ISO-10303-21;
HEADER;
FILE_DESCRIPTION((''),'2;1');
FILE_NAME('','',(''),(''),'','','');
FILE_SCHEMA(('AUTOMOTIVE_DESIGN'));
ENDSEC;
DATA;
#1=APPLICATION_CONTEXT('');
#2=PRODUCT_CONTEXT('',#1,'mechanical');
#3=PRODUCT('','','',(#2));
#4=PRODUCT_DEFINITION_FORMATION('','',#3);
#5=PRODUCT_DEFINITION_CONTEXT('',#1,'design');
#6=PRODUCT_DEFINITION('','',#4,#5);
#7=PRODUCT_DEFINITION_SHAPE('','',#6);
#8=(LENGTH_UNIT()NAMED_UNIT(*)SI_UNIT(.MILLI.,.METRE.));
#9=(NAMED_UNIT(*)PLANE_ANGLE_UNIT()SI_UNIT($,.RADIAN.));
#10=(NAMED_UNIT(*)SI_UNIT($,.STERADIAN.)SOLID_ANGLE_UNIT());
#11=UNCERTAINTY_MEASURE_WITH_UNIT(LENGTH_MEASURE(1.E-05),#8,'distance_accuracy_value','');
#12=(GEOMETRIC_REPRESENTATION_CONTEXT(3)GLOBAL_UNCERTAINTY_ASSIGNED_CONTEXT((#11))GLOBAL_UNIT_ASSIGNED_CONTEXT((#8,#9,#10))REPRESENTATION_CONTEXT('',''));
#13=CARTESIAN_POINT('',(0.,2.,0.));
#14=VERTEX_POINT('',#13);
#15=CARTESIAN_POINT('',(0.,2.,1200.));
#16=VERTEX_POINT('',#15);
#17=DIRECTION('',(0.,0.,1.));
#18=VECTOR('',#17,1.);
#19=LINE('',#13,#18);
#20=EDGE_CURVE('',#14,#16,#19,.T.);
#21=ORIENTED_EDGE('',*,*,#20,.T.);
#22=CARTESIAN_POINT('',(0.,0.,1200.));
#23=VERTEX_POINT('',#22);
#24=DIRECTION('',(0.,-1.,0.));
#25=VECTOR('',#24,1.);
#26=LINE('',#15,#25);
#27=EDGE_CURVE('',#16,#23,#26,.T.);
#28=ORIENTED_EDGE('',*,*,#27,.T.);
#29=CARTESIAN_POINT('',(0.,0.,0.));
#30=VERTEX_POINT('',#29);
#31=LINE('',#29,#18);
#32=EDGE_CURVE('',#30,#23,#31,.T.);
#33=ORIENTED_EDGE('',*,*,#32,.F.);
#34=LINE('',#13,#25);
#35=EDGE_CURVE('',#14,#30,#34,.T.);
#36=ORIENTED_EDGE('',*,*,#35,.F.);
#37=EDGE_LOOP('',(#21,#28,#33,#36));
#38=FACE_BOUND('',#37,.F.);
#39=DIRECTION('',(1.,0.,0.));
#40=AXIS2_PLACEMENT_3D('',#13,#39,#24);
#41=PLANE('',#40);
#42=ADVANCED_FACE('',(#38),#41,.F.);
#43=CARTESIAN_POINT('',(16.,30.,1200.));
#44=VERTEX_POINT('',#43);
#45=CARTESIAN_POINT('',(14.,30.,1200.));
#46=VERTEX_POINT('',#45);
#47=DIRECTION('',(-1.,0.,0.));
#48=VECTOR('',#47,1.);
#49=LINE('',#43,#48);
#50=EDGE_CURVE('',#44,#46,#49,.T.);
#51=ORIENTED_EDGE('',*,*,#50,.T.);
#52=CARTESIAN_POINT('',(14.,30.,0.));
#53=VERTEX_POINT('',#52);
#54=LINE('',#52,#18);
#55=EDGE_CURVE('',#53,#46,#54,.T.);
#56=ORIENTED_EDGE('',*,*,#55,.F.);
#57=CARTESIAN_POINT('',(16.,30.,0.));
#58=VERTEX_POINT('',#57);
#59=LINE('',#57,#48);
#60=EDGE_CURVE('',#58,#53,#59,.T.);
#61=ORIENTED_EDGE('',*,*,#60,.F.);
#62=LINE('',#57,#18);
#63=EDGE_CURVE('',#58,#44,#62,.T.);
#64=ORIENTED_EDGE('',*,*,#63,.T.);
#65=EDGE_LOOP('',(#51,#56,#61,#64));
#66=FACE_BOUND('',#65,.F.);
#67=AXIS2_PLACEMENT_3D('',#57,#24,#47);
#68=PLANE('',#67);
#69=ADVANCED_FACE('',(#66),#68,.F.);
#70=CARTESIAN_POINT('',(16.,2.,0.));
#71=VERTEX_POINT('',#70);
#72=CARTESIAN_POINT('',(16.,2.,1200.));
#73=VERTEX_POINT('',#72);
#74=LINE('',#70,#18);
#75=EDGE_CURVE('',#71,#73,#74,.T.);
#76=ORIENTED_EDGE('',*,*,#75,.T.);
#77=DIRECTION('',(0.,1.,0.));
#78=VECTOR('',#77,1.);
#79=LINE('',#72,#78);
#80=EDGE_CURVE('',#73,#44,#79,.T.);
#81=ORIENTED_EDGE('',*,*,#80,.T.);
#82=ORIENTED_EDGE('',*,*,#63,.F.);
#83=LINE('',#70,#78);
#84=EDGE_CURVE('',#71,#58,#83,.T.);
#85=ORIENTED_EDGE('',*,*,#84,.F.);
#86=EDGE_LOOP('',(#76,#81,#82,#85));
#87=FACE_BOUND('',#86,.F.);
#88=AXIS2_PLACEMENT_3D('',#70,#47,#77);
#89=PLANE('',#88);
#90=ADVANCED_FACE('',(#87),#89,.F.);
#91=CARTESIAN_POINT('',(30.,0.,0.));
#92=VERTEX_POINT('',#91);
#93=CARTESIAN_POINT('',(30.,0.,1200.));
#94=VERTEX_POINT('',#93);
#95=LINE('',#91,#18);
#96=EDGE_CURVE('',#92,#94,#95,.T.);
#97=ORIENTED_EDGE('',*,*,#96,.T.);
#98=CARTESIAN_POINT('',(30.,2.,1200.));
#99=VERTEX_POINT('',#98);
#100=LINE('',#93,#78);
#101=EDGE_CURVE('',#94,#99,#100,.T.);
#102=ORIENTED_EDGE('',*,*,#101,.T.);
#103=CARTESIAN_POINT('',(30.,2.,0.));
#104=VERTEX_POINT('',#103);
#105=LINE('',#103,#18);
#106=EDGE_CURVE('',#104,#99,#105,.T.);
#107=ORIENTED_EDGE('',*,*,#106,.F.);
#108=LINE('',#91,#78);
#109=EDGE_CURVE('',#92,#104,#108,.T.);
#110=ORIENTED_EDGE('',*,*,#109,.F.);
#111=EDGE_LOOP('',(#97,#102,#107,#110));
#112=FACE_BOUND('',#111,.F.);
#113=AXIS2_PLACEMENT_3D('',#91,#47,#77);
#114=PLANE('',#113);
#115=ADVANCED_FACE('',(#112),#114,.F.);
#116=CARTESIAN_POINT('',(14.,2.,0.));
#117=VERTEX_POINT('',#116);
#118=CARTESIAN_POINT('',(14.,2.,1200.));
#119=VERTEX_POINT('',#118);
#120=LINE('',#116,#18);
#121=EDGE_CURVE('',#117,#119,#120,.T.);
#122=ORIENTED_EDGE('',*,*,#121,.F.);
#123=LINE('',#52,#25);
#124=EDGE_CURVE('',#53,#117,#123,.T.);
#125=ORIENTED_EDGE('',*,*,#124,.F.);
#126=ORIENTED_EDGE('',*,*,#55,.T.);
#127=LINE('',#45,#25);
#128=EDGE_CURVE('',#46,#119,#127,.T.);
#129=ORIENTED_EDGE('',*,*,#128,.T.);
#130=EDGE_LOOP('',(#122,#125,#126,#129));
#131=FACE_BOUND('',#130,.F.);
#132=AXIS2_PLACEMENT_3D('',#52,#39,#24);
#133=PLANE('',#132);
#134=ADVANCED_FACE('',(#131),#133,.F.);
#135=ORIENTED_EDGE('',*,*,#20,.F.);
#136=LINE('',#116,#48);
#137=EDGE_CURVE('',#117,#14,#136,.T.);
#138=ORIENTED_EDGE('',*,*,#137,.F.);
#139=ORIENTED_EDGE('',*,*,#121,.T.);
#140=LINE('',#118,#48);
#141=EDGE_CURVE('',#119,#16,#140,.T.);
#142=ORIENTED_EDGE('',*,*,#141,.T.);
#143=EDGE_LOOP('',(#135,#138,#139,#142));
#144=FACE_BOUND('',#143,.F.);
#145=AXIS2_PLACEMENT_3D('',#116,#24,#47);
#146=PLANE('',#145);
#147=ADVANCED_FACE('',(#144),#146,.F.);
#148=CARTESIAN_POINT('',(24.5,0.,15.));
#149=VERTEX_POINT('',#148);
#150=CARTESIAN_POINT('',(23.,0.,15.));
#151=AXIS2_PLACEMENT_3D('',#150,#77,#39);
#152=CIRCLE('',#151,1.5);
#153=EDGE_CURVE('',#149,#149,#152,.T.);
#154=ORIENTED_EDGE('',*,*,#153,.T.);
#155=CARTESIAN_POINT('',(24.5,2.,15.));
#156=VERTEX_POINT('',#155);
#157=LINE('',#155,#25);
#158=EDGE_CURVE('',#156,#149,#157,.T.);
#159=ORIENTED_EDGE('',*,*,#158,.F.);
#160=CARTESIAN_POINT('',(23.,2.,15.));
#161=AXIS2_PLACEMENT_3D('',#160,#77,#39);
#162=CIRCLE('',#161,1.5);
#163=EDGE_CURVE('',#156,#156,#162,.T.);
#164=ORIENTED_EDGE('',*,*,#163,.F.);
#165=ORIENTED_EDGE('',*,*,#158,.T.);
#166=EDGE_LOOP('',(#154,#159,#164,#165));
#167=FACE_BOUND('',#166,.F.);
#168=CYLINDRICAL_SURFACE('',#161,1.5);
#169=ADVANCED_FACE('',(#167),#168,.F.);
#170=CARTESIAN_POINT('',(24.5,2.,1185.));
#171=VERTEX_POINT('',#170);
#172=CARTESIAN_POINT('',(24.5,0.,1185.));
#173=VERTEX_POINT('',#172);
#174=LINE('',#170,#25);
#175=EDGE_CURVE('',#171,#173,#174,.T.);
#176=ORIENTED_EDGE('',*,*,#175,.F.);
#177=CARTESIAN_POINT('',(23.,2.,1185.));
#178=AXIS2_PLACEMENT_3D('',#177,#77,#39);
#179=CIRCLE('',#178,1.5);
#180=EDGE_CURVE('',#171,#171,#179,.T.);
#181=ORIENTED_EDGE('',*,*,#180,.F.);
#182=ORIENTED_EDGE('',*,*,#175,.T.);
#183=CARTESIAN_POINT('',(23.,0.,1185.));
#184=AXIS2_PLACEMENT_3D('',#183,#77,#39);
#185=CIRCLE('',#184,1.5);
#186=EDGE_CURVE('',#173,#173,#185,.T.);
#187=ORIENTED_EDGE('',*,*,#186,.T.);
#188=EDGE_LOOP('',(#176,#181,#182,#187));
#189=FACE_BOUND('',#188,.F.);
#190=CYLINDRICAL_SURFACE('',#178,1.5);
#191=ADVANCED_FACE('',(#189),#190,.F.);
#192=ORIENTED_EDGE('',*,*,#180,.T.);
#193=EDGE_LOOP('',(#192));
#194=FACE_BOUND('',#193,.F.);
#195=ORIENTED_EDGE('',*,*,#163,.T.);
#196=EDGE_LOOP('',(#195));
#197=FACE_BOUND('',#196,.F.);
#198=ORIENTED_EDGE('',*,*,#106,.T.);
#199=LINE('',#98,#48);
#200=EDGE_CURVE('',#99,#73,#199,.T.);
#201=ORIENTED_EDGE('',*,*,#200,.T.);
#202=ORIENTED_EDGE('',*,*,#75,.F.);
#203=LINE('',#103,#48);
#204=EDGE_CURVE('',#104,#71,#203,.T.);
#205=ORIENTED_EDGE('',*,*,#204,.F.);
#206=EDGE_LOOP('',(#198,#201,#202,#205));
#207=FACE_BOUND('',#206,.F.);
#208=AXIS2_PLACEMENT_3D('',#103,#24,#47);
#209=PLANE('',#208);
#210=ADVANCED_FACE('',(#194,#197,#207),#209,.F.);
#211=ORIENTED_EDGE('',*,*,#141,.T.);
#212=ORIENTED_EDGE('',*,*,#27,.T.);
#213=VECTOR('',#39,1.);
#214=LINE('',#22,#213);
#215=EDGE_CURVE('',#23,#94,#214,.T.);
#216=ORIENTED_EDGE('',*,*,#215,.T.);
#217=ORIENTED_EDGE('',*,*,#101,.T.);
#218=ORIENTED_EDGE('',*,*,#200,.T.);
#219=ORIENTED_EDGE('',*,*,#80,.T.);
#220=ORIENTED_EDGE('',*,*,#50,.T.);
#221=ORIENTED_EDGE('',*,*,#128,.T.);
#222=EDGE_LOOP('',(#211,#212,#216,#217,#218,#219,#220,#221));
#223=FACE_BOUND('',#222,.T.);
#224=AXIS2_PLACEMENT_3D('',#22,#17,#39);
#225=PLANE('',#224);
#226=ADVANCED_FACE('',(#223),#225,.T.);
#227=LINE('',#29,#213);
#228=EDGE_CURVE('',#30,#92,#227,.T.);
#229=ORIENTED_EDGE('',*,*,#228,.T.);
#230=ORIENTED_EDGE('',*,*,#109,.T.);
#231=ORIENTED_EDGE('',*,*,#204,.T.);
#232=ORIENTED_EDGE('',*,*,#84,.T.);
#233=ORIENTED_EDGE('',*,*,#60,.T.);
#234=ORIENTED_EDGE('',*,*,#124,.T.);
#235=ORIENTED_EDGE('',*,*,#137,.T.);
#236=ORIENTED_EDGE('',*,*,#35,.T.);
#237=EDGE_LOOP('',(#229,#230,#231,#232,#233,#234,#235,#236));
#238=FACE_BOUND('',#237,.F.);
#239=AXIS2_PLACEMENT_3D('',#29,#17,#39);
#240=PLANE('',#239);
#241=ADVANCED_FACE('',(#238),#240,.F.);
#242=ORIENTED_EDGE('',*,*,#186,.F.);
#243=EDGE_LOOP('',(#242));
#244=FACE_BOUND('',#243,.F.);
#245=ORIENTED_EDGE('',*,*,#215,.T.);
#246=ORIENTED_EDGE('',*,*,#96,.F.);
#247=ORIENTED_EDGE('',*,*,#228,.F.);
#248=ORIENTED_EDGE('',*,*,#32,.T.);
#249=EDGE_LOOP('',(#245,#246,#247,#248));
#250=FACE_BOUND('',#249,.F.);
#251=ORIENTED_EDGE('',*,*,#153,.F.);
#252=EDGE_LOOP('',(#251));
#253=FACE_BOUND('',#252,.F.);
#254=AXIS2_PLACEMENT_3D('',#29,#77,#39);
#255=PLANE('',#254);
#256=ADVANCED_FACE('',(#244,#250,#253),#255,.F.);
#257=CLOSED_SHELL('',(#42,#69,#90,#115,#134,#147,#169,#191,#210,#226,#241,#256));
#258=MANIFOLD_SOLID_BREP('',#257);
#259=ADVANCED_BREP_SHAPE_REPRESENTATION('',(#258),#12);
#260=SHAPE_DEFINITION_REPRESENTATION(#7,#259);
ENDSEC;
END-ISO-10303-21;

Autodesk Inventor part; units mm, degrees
ref_plane "YZ Plane" through (0, 0, 0) normal (1, 0, 0) x (0, 1, 0)
ref_plane "XZ Plane" through (0, 0, 0) normal (0, 1, 0) x (-1, 0, 0)
ref_plane "XY Plane" through (0, 0, 0) normal (0, 0, 1) x (1, 0, 0)
sketch "Náčrt1" plane through (0, 0, 0) normal (0, 0, 1) x (1, 0, 0)
  line L0 (0, 0) -> (30, 0)
  line L1 (30, 0) -> (30, 2)
  line L2 (30, 2) -> (16, 2)
  line L3 (16, 2) -> (16, 30)
  line L4 (16, 30) -> (14, 30)
  line L5 (14, 30) -> (14, 2)
  line L6 (14, 2) -> (0, 2)
  line L7 (0, 2) -> (0, 0)
  dimension "d0" = 30
  dimension "d1" = 2
  dimension "d2" = 14
  dimension "d3" = 28
  dimension "d4" = 2
extrude "Vysunutí1" add sketch "Náčrt1" along normal blind 1200
sketch "Náčrt2" plane through (16, 2, 0) normal (0, 1, 0) x (1, 0, 0)
  line L0 (0, 0) -> (0, -1200) projected
  line L1 (14, -1200) -> (0, -1200) projected
  circle A0 centre (7, -1185) radius 1.5
  line L2 (14, 0) -> (14, -1200) projected
  line L3 (14, -600) -> (0, -600)
  circle A1 centre (7, -15) radius 1.5
  point P0 (-16, 0)
  dimension "d7" = 15
  dimension "d8" = 3
extrude "Vysunutí2" cut sketch "Náčrt2" against normal up to next contours A0 | A1
equation "\"d0\" = width_A"
equation "\"d2\" = -0.5 * thickness + 0.5 * width_A"
equation "\"d3\" = width_B - thickness"
equation "\"d4\" = thickness"
equation "\"d5\" = length"
equation "\"d7\" = 0.5 * gSquareProfile_Width_Rack"
equation "\"width_A\" = 30"
equation "\"width_B\" = 30"
equation "\"thickness\" = 2"
equation "\"length\" = gRack_Cpu_Length"
equation "\"gSquareProfile_Width_Rack\" = 30"
equation "\"gRack_Cpu_Length\" = 1200"
properties part number "Profile-T#01"
